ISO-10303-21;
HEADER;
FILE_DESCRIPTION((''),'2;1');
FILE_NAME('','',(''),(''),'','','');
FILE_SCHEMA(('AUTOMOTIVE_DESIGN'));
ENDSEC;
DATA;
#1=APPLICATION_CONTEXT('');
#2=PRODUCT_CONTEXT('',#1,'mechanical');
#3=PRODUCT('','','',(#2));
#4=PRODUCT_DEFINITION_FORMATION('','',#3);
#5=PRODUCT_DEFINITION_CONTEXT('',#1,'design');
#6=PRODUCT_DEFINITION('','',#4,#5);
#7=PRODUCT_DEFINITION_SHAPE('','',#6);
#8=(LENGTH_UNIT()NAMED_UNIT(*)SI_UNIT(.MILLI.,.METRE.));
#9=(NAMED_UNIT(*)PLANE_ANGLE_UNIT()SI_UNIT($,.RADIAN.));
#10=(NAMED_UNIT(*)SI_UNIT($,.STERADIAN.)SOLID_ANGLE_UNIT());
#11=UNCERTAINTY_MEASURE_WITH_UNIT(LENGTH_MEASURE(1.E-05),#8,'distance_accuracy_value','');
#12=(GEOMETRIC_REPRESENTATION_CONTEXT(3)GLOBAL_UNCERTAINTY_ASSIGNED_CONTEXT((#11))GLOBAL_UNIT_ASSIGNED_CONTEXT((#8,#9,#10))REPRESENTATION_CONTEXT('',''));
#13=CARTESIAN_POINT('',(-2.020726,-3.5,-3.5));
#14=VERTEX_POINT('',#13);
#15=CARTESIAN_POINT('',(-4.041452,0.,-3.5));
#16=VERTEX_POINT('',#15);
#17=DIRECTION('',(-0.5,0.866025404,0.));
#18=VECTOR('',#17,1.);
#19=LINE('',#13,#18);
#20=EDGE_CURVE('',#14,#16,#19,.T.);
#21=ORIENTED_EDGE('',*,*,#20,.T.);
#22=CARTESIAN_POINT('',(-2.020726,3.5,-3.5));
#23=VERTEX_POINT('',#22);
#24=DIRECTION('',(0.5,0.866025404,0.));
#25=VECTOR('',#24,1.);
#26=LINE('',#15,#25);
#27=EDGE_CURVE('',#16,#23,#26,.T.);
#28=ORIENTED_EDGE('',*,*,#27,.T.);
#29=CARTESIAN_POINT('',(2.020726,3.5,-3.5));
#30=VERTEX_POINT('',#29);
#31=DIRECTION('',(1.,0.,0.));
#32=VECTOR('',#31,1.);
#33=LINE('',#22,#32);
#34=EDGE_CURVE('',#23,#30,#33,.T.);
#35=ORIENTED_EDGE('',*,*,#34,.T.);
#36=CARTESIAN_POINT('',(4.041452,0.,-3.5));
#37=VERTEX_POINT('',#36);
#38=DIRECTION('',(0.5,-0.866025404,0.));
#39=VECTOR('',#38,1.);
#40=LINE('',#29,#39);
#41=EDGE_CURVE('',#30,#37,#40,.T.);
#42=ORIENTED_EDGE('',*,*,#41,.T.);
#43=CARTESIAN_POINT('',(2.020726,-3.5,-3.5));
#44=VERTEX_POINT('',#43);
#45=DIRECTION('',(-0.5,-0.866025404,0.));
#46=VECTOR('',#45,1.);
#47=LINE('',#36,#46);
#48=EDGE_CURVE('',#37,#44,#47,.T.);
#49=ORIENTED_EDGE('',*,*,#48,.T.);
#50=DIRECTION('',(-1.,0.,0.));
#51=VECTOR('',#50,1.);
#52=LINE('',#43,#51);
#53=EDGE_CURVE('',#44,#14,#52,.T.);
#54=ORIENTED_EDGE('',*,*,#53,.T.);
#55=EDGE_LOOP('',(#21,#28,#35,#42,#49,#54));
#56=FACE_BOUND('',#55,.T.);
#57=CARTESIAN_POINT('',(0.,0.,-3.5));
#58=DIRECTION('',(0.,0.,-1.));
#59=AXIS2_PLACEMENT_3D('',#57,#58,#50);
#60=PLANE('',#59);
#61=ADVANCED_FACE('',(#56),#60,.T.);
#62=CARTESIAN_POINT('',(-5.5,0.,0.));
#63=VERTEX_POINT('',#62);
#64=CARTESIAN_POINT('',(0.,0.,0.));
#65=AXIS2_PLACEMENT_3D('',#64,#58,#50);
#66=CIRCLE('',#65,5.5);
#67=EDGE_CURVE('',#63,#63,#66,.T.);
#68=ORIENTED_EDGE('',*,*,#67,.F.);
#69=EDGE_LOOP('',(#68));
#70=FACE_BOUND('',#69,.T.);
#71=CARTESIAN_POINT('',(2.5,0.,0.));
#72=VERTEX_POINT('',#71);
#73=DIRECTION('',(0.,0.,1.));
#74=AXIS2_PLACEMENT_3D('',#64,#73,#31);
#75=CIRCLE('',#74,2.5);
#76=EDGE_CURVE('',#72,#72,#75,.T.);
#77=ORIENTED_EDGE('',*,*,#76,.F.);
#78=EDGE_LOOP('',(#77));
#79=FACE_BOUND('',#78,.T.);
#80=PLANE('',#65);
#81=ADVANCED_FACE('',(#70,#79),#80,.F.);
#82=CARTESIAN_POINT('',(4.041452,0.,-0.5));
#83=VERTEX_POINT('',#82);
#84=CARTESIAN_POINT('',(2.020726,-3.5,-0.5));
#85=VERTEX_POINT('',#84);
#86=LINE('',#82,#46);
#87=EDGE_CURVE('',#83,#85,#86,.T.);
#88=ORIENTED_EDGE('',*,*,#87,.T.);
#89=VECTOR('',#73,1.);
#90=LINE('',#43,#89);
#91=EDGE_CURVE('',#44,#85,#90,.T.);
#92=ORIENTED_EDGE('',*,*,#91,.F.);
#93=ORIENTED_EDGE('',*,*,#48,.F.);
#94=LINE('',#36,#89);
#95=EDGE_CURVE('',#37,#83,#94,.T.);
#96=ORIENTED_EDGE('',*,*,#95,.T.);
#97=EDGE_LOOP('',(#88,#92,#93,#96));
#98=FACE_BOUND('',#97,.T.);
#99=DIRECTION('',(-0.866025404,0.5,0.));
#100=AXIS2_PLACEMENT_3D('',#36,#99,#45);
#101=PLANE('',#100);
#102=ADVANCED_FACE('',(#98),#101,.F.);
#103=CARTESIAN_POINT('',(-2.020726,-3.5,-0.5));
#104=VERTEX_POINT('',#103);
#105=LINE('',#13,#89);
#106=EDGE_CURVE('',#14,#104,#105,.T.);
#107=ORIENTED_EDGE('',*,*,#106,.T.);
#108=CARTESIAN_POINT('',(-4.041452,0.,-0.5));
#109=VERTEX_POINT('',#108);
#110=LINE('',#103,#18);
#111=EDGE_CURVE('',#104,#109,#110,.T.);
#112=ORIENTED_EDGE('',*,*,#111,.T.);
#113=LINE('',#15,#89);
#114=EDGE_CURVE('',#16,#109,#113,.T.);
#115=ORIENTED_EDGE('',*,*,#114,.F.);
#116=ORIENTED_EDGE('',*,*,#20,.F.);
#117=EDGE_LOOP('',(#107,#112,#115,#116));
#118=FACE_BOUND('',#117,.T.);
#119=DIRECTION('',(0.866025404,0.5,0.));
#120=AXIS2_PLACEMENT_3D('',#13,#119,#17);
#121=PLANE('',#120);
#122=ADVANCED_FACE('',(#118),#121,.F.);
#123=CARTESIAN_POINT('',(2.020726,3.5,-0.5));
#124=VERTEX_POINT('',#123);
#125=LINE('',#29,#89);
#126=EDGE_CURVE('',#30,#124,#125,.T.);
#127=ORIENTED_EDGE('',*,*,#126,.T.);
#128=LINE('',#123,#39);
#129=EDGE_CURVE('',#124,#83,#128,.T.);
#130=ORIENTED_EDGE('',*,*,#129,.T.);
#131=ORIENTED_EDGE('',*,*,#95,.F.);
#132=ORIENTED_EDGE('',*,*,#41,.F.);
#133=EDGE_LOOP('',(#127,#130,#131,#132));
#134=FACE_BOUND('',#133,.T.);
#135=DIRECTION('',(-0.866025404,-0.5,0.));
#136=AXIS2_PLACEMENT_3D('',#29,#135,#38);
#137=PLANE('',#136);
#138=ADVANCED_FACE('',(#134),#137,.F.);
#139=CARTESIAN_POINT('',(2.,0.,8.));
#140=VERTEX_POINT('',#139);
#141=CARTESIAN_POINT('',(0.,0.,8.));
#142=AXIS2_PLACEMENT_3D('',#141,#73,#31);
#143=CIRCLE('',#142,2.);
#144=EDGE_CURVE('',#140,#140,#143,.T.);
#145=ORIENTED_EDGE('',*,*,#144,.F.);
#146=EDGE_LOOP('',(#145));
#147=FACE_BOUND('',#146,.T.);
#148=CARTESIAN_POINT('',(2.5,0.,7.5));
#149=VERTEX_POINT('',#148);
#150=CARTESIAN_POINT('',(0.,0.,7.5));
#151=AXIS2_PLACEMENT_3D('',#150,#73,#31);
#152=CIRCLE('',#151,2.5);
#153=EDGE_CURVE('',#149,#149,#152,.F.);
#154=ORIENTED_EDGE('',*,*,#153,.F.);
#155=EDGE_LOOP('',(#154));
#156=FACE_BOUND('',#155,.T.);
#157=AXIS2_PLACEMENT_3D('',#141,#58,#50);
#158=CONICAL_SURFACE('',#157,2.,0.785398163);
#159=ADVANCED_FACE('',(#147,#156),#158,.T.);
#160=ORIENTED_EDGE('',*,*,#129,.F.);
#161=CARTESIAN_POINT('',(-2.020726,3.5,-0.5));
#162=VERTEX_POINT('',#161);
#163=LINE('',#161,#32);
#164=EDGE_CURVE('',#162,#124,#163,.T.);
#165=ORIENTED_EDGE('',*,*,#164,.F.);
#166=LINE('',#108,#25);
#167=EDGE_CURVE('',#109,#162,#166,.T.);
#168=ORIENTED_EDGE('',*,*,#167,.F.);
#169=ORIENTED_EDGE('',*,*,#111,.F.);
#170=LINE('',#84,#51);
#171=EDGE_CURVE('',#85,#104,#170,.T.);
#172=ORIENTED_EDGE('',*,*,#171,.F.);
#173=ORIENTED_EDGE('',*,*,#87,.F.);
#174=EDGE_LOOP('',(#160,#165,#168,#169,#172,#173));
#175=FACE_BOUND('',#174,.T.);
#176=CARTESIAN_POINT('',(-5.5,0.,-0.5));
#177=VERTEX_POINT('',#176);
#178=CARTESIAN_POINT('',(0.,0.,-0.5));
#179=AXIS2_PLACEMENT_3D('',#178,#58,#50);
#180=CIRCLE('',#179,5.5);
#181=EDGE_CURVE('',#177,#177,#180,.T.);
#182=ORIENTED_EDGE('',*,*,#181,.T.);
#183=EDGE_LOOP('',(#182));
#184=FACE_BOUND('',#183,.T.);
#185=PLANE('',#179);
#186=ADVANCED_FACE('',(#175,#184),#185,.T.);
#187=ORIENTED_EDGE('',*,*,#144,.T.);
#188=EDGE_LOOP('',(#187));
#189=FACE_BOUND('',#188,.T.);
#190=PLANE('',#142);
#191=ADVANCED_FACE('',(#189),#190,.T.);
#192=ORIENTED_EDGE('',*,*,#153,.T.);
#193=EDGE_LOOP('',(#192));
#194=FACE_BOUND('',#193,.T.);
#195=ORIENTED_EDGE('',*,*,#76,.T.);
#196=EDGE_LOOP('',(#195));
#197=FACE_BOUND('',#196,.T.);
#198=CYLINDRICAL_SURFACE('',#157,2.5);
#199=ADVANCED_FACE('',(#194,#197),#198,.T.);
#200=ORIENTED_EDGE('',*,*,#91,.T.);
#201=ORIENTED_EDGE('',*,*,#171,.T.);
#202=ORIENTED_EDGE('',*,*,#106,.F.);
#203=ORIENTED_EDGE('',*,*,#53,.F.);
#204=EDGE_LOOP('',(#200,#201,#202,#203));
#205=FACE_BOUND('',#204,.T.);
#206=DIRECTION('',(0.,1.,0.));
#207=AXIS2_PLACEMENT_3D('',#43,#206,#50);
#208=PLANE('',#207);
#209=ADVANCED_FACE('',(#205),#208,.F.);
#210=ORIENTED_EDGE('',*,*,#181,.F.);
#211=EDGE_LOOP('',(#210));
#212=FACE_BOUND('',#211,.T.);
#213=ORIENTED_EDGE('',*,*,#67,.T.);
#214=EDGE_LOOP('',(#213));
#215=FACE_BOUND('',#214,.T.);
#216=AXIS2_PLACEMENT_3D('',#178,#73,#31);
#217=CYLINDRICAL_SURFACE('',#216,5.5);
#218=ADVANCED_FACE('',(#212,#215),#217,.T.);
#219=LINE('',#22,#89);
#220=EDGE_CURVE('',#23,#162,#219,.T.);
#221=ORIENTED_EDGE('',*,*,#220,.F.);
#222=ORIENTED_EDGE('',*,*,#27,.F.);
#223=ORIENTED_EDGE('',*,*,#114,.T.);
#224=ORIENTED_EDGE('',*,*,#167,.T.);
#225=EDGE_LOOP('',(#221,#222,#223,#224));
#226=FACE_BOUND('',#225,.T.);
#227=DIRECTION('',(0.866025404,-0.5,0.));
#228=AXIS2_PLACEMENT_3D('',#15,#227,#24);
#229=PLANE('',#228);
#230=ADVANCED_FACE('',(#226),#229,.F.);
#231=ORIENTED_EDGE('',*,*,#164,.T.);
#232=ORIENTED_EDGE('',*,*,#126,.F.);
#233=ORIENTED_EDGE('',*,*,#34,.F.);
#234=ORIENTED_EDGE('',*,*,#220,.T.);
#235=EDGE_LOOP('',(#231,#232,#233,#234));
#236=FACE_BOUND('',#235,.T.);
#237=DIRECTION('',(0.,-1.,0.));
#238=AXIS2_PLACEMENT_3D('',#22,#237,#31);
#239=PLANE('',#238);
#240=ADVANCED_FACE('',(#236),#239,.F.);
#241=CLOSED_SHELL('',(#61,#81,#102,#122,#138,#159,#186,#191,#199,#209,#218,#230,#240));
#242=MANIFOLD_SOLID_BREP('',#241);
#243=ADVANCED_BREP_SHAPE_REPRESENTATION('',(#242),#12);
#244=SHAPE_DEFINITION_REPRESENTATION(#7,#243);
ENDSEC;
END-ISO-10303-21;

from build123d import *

# Parameters (mm, degrees)
SKETCH1_R           = 2.5
BOSS_EXTRUDE1_DEPTH = 8
SKETCH2_R           = 5.5
BOSS_EXTRUDE2_DEPTH = 0.5
BOSS_EXTRUDE3_DEPTH = 3
CHAMFER3_SIZE       = 0.5


with BuildPart() as part:
    # Sketch1 → Boss-Extrude1 (new body)
    with BuildSketch(Plane.XY):
        Circle(SKETCH1_R)
    extrude(amount=BOSS_EXTRUDE1_DEPTH)

    # Sketch2 → Boss-Extrude2 (add)
    with BuildSketch(Plane(origin=(0, 0, 0), x_dir=(-1, 0, 0), z_dir=(0, 0, -1))):
        Circle(SKETCH2_R)
    extrude(amount=BOSS_EXTRUDE2_DEPTH)

    # Sketch3 → Boss-Extrude3 (add)
    with BuildSketch(Plane(origin=(0, 0, -0.5), x_dir=(-1, 0, 0), z_dir=(0, 0, -1))):
        Polygon((4.041451884, 0), (2.020725942, 3.5), (-2.020725942, 3.5), (-4.041451884, 0), (-2.020725942, -3.5), (2.020725942, -3.5), align=None)
    extrude(amount=BOSS_EXTRUDE3_DEPTH)

    # Chamfer3
    chamfer3_edges = [part.edges().sort_by_distance(p)[0] for p in [
        (-2.5, 0, 8),
    ]]
    chamfer(chamfer3_edges, length=CHAMFER3_SIZE)


solid = part.part
